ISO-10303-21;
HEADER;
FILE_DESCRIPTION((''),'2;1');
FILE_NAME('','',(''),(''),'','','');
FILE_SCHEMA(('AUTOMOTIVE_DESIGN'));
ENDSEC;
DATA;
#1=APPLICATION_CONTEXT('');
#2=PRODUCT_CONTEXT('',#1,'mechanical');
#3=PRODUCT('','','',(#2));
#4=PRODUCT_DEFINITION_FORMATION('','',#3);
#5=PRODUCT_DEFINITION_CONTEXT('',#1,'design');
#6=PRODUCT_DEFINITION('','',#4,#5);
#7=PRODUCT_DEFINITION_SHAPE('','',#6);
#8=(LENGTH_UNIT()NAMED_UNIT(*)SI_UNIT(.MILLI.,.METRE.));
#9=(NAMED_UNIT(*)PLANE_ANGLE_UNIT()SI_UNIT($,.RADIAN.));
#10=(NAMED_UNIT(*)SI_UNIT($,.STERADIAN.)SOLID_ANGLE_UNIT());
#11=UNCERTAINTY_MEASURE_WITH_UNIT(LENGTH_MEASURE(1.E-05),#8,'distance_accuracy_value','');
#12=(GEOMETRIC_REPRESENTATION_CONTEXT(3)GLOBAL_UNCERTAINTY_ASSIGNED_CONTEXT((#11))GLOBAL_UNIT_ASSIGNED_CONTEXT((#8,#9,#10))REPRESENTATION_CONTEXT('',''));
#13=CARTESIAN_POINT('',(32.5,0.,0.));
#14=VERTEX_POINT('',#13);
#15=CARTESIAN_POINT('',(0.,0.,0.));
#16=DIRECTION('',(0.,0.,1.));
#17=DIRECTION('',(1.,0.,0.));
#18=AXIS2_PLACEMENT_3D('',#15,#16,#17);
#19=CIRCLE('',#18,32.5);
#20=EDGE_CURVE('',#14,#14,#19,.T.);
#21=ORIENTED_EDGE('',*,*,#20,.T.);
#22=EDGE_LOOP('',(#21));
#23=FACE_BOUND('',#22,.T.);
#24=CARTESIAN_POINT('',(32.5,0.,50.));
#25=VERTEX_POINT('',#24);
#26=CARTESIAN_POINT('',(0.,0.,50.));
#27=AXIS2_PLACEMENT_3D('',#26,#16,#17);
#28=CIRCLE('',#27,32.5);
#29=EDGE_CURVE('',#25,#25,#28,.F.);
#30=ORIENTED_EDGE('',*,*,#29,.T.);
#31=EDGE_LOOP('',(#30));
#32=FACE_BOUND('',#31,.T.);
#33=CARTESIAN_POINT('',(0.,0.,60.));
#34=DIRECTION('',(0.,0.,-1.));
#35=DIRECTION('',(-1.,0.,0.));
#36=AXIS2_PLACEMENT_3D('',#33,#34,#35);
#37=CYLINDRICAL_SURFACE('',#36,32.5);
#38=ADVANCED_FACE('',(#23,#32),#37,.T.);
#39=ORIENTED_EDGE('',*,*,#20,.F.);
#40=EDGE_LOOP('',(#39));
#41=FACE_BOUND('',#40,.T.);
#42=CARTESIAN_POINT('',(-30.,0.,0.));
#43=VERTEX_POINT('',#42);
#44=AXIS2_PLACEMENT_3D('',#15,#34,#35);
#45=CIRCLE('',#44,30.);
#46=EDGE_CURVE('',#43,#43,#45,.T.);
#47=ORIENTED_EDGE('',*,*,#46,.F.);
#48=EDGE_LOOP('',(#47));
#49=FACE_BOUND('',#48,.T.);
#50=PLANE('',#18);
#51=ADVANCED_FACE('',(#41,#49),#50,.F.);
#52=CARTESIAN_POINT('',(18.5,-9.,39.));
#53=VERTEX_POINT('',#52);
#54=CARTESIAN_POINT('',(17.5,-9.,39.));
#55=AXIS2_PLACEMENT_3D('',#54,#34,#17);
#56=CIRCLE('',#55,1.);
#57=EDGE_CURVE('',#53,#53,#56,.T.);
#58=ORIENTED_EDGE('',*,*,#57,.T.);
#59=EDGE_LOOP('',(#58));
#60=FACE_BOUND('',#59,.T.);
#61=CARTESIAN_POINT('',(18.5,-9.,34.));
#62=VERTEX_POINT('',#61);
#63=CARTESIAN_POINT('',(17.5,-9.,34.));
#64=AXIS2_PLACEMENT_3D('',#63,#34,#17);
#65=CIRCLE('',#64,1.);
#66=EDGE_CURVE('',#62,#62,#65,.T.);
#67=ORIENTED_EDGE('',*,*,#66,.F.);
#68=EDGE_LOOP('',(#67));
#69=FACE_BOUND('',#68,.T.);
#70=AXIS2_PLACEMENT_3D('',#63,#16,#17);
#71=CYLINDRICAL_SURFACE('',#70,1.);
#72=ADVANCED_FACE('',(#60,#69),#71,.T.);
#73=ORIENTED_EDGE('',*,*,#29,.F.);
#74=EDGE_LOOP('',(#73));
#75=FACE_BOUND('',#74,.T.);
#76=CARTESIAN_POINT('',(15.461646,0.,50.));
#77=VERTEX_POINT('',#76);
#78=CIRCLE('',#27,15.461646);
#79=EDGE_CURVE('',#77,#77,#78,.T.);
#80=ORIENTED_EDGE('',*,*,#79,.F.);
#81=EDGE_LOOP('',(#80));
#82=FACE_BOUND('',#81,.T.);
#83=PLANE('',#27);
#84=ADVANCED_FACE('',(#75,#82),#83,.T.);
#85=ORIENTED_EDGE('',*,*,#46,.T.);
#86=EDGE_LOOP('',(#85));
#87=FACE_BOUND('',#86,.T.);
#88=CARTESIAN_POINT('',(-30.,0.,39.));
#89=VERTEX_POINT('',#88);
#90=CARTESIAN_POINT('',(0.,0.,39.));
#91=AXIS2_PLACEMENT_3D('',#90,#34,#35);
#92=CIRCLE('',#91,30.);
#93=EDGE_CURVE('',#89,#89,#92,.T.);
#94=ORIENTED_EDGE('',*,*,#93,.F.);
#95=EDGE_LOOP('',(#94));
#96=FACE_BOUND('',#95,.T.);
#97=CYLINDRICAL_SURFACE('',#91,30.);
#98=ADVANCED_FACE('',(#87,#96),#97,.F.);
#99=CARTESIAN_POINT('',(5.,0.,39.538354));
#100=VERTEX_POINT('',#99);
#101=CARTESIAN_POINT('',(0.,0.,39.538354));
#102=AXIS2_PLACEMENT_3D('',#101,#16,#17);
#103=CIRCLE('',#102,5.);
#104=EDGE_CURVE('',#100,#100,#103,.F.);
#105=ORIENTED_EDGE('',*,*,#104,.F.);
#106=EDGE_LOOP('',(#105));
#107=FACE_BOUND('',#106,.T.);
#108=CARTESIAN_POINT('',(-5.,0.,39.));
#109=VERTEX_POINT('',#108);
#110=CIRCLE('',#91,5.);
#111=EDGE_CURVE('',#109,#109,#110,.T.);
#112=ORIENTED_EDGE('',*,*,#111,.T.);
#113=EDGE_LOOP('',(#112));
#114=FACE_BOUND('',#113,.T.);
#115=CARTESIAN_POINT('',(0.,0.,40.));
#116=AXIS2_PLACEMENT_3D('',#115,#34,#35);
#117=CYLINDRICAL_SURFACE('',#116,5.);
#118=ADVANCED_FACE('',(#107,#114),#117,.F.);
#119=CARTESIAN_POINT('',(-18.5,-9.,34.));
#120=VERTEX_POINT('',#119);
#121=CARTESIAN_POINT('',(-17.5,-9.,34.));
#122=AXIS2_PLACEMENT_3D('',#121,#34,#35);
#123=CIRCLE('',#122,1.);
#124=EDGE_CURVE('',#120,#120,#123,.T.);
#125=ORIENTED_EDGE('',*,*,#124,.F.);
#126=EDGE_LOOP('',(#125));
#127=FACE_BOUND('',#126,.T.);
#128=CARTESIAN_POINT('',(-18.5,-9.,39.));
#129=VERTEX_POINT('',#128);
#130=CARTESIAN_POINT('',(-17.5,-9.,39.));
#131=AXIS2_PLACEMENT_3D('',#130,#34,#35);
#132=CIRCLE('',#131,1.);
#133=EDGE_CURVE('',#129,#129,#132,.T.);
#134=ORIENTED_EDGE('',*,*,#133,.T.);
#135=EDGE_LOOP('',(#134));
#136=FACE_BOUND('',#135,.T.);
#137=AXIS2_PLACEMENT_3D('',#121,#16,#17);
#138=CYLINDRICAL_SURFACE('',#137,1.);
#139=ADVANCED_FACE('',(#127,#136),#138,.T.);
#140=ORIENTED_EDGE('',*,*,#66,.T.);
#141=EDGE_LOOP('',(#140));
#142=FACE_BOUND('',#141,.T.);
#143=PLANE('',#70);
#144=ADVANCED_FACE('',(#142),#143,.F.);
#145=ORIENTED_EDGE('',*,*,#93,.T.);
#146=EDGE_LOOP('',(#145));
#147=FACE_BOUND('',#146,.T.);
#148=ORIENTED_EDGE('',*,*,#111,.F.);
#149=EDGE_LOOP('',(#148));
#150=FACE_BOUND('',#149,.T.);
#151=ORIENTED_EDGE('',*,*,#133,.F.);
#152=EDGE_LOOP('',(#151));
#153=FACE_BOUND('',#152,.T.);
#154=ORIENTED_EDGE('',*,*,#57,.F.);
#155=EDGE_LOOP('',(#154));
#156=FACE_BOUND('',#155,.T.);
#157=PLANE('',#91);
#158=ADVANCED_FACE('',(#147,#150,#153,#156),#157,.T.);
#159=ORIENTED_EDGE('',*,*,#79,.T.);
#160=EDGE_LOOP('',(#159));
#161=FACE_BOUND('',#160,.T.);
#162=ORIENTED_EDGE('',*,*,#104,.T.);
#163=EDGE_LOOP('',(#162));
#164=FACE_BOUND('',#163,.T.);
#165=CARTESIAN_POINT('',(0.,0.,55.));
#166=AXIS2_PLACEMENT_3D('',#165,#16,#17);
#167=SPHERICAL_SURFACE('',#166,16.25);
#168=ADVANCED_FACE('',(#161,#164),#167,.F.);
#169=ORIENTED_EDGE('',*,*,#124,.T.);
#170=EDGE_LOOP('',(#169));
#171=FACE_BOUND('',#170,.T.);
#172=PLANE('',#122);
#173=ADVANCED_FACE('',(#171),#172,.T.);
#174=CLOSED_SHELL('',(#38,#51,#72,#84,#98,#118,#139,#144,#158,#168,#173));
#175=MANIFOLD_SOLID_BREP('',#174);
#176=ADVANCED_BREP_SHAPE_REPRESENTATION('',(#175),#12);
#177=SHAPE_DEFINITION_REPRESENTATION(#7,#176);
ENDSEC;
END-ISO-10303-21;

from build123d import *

# Parameters (mm, degrees)
SKETCH2_R           = 32.5
BOSS_EXTRUDE1_DEPTH = 60
CUT_REVOLVE1_ANGLE  = 180
CUT_EXTRUDE1_REACH  = 12
SKETCH5_W           = 97.630906447
SKETCH5_H           = 85.301230118
SKETCH7_R           = 30
CUT_EXTRUDE3_DEPTH  = 39
SKETCH8_R           = 1
BOSS_EXTRUDE2_DEPTH = 5
SKETCH9_R           = 5
CUT_EXTRUDE4_DEPTH  = 1


with BuildPart() as part:
    # Sketch2 → Boss-Extrude1 (new body)
    with BuildSketch(Plane.XY):
        Circle(SKETCH2_R)
    extrude(amount=BOSS_EXTRUDE1_DEPTH)

    # Sketch4 → Cut-Revolve1 (revolve, cut)
    with BuildSketch(Plane.XY.offset(55)):
        with BuildLine():
            Line((-16.25, 0), (16.25, 0))
            ThreePointArc((16.25, 0), (0, 16.25), (-16.25, 0))
        make_face()
    revolve(axis=Axis((-16.25, 0, 55), (-1, 0, 0)), revolution_arc=CUT_REVOLVE1_ANGLE, mode=Mode.SUBTRACT)

    # Sketch5 → Cut-Extrude1 (cut, up to next)
    with BuildSketch(Plane.XY.offset(50), mode=Mode.PRIVATE) as cut_extrude1_sk1:
        with Locations((-1.59772985, 0.365427289)):
            Rectangle(SKETCH5_W, SKETCH5_H)
    cut_extrude1_tool1 = extrude(cut_extrude1_sk1.sketch, amount=CUT_EXTRUDE1_REACH, mode=Mode.PRIVATE) & part.part
    add(cut_extrude1_tool1.solids().sort_by_distance((-1.59773, 0.365427, 50))[0], mode=Mode.SUBTRACT)

    # Sketch7 → Cut-Extrude3 (cut)
    with BuildSketch(Plane(origin=(0, 0, 0), x_dir=(-1, 0, 0), z_dir=(0, 0, -1))):
        Circle(SKETCH7_R)
    extrude(amount=-CUT_EXTRUDE3_DEPTH, mode=Mode.SUBTRACT)

    # Sketch8 → Boss-Extrude2 (add)
    with BuildSketch(Plane(origin=(0, 0, 39), x_dir=(-1, 0, 0), z_dir=(0, 0, -1))):
        with Locations((17.5, -9)):
            Circle(SKETCH8_R)
        with Locations((-17.5, -9)):
            Circle(SKETCH8_R)
    extrude(amount=BOSS_EXTRUDE2_DEPTH)

    # Sketch9 → Cut-Extrude4 (cut)
    with BuildSketch(Plane(origin=(0, 0, 39), x_dir=(-1, 0, 0), z_dir=(0, 0, -1))):
        Circle(SKETCH9_R)
    extrude(amount=-CUT_EXTRUDE4_DEPTH, mode=Mode.SUBTRACT)


solid = part.part
